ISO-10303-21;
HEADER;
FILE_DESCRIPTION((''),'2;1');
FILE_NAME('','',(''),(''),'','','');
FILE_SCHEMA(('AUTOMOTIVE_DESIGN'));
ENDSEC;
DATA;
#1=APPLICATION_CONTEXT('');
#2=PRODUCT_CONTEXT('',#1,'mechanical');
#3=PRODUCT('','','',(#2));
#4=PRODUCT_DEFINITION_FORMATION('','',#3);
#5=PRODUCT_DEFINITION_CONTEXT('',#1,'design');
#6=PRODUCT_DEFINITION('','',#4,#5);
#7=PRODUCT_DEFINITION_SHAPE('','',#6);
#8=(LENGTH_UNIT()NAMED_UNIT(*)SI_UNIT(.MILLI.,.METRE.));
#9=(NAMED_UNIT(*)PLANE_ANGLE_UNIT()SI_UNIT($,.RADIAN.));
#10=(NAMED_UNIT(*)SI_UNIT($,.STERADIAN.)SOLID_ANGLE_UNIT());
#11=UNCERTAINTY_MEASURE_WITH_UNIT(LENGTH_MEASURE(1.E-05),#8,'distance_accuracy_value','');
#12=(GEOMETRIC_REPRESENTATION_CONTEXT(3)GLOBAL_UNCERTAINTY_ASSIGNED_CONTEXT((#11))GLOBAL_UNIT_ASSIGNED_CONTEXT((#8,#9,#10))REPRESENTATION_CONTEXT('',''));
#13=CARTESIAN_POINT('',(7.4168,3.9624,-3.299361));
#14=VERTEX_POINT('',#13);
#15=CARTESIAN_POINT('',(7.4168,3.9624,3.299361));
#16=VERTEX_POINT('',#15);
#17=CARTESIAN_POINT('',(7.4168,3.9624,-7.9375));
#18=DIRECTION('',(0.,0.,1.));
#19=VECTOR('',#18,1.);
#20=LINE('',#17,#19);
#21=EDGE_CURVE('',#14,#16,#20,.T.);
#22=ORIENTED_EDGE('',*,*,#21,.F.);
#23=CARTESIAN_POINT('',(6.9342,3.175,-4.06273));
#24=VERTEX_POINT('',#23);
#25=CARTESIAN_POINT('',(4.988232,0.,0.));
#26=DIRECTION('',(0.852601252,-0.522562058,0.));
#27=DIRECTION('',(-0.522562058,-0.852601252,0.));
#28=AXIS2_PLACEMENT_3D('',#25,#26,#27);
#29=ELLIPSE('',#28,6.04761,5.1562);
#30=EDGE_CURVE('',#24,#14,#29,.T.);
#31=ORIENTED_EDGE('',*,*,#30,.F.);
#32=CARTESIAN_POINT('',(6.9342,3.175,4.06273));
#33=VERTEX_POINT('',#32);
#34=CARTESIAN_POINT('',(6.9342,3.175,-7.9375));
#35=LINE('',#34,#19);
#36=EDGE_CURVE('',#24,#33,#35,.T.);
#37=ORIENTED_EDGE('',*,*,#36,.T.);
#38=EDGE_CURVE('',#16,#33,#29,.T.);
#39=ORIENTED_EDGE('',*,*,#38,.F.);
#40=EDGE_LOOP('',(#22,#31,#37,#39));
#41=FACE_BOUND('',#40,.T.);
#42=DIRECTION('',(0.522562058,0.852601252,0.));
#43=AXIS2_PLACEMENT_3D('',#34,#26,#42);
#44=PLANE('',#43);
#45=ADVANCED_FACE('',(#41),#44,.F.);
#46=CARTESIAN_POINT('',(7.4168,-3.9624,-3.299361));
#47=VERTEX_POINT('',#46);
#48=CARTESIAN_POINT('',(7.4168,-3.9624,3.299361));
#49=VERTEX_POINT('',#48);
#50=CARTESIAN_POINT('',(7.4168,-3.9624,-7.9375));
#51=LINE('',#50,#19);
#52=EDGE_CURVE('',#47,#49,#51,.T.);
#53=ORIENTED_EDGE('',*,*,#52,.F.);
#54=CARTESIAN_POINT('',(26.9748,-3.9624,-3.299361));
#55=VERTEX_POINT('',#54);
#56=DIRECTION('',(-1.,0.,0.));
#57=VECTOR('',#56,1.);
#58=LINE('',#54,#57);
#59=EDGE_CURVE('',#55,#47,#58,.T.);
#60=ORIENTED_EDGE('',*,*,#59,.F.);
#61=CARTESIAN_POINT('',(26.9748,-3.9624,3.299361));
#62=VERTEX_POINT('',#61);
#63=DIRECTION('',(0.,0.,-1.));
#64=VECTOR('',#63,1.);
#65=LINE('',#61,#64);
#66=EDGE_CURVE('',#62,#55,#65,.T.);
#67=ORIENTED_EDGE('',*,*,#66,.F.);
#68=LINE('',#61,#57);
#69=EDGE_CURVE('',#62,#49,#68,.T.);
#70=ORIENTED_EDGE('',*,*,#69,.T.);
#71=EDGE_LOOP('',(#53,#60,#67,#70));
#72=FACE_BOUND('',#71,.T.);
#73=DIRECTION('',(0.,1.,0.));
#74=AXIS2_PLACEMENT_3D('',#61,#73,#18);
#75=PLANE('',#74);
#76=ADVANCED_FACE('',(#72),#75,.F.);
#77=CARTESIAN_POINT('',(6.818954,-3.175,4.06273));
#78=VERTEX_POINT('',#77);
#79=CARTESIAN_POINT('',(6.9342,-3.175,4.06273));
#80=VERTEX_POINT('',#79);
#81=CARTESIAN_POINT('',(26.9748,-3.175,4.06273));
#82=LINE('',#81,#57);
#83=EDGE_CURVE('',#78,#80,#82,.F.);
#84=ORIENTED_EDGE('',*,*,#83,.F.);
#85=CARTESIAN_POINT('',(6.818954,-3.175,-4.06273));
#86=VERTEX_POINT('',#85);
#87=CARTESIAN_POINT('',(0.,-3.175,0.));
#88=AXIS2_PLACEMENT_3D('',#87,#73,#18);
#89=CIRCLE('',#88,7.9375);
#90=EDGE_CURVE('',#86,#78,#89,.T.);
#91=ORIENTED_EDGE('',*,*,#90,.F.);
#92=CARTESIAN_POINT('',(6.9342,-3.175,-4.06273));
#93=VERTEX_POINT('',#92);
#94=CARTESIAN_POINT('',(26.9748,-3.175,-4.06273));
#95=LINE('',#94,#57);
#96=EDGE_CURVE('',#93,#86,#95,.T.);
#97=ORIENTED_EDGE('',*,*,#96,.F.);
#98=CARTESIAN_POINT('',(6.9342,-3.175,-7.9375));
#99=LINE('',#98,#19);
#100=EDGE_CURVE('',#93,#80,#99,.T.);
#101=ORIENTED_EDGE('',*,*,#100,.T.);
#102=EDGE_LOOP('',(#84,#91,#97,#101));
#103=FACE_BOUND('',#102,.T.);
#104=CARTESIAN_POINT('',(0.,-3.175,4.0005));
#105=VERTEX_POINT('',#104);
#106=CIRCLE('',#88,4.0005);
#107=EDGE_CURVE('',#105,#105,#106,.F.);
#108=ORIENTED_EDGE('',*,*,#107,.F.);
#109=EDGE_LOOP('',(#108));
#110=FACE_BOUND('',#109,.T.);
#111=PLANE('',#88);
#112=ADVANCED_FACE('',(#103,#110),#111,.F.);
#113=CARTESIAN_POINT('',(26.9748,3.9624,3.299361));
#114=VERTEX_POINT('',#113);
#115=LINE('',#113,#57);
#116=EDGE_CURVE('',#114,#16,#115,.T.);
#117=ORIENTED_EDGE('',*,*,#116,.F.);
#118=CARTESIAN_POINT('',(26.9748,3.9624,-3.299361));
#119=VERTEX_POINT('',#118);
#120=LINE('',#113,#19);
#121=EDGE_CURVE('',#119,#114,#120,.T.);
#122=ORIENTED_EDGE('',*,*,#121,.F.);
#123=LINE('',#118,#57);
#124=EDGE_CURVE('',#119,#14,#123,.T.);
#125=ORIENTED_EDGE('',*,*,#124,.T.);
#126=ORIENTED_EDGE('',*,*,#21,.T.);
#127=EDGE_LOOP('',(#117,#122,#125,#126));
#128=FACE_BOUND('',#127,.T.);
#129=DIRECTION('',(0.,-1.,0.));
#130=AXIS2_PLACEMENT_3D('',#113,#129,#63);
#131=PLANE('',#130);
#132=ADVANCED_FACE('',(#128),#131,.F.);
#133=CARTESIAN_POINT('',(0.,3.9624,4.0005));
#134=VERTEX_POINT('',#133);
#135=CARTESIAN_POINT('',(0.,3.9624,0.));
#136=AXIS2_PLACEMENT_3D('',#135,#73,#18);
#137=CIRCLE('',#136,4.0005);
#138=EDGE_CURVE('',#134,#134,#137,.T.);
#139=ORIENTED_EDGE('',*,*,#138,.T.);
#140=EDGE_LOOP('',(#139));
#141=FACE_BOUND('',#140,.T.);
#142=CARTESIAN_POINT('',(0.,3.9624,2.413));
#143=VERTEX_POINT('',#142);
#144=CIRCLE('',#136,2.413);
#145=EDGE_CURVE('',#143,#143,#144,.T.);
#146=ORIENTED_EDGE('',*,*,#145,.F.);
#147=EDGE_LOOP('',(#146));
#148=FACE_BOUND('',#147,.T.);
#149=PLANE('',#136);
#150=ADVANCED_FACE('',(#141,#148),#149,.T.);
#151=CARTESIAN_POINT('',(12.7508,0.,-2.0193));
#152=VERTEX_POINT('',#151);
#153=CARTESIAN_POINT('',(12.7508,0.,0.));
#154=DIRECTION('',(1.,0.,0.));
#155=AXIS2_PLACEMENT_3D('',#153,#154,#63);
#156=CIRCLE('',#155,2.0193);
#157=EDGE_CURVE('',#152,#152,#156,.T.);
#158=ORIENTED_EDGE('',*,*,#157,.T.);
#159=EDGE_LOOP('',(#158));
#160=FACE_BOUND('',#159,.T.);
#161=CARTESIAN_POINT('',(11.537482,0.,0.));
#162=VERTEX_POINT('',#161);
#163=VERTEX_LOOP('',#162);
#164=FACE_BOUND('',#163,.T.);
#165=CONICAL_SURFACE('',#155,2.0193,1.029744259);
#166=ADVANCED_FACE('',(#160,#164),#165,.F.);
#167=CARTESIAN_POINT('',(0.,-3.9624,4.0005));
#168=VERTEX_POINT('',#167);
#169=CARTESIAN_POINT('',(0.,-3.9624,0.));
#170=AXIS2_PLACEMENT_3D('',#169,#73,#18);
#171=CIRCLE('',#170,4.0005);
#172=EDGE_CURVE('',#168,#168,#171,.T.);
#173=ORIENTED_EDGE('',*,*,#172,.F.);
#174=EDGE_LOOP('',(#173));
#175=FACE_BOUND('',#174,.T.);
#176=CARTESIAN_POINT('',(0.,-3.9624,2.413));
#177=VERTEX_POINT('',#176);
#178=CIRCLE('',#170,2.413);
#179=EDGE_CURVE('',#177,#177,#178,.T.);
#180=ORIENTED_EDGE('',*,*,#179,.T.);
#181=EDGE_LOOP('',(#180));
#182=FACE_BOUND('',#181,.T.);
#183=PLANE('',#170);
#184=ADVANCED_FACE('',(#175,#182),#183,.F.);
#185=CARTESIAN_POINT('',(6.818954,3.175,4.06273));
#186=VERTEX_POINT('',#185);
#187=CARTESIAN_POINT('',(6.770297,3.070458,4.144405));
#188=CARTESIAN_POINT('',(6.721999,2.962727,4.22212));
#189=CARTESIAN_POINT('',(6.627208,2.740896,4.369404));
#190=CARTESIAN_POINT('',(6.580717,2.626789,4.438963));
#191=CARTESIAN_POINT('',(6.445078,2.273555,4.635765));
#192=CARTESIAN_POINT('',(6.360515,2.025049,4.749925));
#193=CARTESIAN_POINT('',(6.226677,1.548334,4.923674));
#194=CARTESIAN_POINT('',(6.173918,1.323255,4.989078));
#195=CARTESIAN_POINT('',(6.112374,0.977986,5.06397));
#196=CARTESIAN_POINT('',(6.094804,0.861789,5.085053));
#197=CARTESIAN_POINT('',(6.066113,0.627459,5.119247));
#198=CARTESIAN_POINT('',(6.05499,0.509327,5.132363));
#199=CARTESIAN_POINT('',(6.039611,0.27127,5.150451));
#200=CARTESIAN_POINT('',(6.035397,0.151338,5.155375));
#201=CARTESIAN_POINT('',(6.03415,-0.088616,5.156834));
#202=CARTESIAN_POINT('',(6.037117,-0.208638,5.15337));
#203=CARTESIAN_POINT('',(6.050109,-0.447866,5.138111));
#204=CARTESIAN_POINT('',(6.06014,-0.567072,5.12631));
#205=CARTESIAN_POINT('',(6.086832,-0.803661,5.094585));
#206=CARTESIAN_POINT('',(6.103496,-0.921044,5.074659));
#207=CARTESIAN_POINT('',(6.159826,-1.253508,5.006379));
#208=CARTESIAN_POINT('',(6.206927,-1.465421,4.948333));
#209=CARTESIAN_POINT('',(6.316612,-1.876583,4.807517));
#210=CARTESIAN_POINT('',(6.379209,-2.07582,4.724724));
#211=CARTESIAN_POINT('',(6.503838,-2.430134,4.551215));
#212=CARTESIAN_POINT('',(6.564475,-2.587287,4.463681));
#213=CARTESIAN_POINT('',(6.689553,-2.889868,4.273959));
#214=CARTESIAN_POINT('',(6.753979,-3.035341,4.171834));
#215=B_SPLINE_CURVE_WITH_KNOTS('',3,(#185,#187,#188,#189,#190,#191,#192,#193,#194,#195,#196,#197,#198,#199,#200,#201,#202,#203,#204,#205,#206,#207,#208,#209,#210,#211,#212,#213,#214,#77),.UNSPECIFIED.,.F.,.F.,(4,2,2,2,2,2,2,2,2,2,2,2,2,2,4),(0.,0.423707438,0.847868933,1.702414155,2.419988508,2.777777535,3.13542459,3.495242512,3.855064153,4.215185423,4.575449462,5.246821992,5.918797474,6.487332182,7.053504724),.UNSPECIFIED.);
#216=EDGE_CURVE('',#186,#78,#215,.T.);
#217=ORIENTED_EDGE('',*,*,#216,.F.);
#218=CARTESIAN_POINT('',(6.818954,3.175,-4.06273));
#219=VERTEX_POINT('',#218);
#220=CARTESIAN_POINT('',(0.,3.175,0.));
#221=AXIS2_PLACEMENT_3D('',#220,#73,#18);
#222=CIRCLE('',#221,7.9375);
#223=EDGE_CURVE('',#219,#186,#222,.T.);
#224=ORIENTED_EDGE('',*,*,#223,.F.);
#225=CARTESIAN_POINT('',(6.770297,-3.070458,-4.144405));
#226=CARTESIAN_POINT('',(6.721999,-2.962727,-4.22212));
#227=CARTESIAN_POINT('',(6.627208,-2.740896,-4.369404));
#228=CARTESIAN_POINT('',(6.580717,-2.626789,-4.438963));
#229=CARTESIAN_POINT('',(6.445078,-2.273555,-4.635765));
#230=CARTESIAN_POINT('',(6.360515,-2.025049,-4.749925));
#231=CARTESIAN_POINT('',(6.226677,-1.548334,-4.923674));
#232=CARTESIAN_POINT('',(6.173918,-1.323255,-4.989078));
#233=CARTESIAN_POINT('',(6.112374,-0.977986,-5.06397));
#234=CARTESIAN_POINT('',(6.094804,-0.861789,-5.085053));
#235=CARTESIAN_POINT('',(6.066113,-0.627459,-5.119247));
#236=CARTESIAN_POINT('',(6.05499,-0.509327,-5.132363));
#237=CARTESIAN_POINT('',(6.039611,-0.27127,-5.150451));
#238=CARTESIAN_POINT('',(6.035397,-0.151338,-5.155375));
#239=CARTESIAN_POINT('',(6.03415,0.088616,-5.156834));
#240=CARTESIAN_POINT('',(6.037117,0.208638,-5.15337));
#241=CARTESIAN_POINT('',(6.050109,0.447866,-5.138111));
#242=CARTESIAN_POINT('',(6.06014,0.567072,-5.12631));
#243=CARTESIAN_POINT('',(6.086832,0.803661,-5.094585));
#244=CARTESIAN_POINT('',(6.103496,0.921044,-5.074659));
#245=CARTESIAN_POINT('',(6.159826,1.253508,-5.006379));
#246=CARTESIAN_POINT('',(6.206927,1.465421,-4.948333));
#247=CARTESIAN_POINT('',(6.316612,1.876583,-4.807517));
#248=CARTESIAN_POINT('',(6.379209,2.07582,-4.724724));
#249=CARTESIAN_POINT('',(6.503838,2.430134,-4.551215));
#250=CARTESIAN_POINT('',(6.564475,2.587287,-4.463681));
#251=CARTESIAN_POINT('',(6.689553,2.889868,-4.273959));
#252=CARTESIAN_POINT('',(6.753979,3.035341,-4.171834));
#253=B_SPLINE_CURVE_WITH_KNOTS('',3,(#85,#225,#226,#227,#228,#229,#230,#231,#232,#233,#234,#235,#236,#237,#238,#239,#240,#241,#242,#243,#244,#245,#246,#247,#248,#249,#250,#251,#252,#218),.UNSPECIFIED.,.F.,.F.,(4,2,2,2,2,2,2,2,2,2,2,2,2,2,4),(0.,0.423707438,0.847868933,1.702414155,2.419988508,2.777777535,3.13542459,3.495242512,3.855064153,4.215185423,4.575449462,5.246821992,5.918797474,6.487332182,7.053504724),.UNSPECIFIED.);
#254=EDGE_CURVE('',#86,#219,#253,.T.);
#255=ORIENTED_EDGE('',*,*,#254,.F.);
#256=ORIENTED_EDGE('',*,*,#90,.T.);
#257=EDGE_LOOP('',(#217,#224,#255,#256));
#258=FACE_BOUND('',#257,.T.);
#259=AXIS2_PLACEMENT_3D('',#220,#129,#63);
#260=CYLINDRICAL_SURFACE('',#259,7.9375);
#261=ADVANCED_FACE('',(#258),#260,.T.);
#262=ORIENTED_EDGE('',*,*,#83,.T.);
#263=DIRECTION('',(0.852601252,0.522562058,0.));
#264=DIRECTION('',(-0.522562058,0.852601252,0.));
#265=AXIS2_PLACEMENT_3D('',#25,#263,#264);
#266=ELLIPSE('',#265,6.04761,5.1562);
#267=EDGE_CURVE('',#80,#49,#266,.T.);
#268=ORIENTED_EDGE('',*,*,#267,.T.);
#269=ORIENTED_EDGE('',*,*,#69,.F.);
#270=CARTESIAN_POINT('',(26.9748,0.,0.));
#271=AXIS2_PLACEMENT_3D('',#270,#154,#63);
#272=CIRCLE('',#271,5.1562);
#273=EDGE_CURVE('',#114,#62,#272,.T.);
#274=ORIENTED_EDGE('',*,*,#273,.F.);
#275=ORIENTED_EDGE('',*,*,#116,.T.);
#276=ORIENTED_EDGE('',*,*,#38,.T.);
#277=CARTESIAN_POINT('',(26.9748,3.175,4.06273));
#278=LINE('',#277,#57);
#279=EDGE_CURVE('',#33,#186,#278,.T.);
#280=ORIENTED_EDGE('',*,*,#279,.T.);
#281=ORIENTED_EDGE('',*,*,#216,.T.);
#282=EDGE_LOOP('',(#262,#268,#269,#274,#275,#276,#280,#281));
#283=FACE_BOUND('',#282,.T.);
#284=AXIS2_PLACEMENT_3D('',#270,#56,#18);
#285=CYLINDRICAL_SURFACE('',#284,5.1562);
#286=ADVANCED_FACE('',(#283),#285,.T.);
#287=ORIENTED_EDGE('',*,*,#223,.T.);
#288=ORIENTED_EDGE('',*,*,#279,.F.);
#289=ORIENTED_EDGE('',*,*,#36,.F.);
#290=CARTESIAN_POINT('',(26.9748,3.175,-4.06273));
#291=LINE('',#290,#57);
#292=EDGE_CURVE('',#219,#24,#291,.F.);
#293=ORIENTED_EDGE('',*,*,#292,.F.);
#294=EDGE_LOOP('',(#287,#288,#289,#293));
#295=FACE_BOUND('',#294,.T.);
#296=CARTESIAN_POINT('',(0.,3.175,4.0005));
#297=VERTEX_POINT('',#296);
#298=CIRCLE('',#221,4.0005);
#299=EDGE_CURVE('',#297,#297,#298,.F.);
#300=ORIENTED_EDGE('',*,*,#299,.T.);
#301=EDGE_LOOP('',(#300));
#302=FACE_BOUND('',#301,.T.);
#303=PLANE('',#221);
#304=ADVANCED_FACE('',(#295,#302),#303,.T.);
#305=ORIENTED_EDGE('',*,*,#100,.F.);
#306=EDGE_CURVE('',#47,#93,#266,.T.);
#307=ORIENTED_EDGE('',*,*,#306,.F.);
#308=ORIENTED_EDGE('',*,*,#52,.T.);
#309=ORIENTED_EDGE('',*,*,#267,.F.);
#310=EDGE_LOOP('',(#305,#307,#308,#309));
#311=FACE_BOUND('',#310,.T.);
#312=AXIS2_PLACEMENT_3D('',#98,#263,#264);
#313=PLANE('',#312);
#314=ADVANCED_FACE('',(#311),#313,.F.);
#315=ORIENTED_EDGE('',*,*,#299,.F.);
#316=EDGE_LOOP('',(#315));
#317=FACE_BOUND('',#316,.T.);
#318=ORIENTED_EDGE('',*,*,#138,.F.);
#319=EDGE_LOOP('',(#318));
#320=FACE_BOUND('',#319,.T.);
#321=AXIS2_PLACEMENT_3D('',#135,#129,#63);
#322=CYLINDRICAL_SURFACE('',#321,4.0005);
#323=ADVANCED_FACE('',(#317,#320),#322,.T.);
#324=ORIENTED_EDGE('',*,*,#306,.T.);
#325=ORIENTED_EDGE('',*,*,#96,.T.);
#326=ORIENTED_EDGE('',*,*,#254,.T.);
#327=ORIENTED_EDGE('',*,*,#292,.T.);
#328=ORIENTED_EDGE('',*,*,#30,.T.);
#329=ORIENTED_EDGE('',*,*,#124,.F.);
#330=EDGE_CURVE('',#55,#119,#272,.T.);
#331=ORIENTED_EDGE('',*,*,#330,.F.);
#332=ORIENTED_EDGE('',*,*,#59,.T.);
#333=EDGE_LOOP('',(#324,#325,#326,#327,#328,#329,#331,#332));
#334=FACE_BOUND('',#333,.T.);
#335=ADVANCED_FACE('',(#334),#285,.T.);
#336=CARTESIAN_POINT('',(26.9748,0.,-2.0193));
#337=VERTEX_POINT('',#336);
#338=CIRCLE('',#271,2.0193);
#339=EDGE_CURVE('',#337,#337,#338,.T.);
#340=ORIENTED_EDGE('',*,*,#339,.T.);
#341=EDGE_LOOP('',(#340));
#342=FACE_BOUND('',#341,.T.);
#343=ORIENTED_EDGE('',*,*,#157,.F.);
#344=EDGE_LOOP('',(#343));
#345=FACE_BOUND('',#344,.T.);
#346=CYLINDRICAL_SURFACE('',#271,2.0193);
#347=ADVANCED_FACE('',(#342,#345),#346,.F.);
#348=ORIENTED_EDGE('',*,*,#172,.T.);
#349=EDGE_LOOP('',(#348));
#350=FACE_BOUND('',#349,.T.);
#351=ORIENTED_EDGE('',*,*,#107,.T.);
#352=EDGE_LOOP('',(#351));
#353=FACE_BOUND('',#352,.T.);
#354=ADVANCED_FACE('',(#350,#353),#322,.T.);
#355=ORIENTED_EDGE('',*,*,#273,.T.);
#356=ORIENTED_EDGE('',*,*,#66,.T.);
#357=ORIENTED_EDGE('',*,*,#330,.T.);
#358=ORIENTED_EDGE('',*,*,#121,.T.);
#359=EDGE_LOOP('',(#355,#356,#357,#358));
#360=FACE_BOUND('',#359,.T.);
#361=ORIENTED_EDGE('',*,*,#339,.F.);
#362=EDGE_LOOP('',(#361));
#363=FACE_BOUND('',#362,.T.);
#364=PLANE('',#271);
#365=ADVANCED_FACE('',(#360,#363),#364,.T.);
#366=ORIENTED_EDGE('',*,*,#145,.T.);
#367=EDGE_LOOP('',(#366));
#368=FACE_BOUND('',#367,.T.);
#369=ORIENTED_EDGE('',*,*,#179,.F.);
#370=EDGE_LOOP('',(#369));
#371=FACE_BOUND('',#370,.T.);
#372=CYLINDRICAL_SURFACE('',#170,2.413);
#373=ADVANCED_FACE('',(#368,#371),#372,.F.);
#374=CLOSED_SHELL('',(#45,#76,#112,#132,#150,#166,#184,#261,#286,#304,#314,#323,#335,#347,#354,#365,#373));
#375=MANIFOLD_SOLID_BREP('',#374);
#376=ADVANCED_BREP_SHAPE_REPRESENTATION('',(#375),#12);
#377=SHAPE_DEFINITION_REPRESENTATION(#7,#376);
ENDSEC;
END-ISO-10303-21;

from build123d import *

# Parameters (mm, degrees)
SKETCH1_R                  = 7.9375
HEAD_DIAMETER_DEPTH        = 3.175
BOSS_EXTRUDE4_DEPTH        = 26.9748
CUT_EXTRUDE2_DEPTH         = 7.9375
SKETCH9_R                  = 4.0005
BOSS_EXTRUDE5_DEPTH        = 3.9624
SKETCH10_R                 = 2.413
CUT_EXTRUDE3_DEPTH         = 7.9248
F_10_32_TAPPED_HOLE1_D     = 4.0386
F_10_32_TAPPED_HOLE1_DEPTH = 14.224
F_10_32_TAPPED_HOLE1_TIP   = 1.213317848


with BuildPart() as part:
    # Sketch1 → Head Diameter (new body, symmetric)
    with BuildSketch(Plane(origin=(0, 0, 0), x_dir=(1, 0, 0), z_dir=(0, 1, 0))):
        Circle(SKETCH1_R)
    extrude(amount=HEAD_DIAMETER_DEPTH, both=True)

    # Sketch7 → Boss-Extrude4 (add)
    with BuildSketch(Plane(origin=(0, 0, 0), x_dir=(0, 0, -1), z_dir=(1, 0, 0))):
        with BuildLine():
            Line((-3.299361253, -3.9624), (3.299361253, -3.9624))
            ThreePointArc((3.299361253, -3.9624), (5.1562, 0), (3.299361253, 3.9624))
            Line((3.299361253, 3.9624), (-3.299361253, 3.9624))
            ThreePointArc((-3.299361253, 3.9624), (-5.1562, 0), (-3.299361253, -3.9624))
        make_face()
    extrude(amount=BOSS_EXTRUDE4_DEPTH)

    # Sketch8 → Cut-Extrude2 (cut, symmetric)
    with BuildSketch(Plane.XY):
        Polygon((0, 3.9624), (0, 3.175), (6.9342, 3.175), (7.4168, 3.9624), align=None)
        Polygon((7.4168, -3.9624), (0, -3.9624), (0, -3.175), (6.9342, -3.175), align=None)
    extrude(amount=CUT_EXTRUDE2_DEPTH, both=True, mode=Mode.SUBTRACT)

    # Sketch9 → Boss-Extrude5 (add, symmetric)
    with BuildSketch(Plane(origin=(0, 0, 0), x_dir=(1, 0, 0), z_dir=(0, 1, 0))):
        Circle(SKETCH9_R)
    extrude(amount=BOSS_EXTRUDE5_DEPTH, both=True)

    # Sketch10 → Cut-Extrude3 (cut)
    with BuildSketch(Plane(origin=(0, 3.9624, 0), x_dir=(1, 0, 0), z_dir=(0, 1, 0))):
        Circle(SKETCH10_R)
    extrude(amount=-CUT_EXTRUDE3_DEPTH, mode=Mode.SUBTRACT)

    # #10-32 Tapped Hole1
    with Locations(Plane(origin=(26.9748, 0, 0), x_dir=(0, 0, -1), z_dir=(1, 0, 0))):
        with Locations((0, 0)):
            Hole(F_10_32_TAPPED_HOLE1_D / 2, depth=F_10_32_TAPPED_HOLE1_DEPTH)
            with Locations((0, 0, -(F_10_32_TAPPED_HOLE1_DEPTH + F_10_32_TAPPED_HOLE1_TIP / 2))):  # 118° drill point
                Cone(0, F_10_32_TAPPED_HOLE1_D / 2, F_10_32_TAPPED_HOLE1_TIP, mode=Mode.SUBTRACT)


solid = part.part
